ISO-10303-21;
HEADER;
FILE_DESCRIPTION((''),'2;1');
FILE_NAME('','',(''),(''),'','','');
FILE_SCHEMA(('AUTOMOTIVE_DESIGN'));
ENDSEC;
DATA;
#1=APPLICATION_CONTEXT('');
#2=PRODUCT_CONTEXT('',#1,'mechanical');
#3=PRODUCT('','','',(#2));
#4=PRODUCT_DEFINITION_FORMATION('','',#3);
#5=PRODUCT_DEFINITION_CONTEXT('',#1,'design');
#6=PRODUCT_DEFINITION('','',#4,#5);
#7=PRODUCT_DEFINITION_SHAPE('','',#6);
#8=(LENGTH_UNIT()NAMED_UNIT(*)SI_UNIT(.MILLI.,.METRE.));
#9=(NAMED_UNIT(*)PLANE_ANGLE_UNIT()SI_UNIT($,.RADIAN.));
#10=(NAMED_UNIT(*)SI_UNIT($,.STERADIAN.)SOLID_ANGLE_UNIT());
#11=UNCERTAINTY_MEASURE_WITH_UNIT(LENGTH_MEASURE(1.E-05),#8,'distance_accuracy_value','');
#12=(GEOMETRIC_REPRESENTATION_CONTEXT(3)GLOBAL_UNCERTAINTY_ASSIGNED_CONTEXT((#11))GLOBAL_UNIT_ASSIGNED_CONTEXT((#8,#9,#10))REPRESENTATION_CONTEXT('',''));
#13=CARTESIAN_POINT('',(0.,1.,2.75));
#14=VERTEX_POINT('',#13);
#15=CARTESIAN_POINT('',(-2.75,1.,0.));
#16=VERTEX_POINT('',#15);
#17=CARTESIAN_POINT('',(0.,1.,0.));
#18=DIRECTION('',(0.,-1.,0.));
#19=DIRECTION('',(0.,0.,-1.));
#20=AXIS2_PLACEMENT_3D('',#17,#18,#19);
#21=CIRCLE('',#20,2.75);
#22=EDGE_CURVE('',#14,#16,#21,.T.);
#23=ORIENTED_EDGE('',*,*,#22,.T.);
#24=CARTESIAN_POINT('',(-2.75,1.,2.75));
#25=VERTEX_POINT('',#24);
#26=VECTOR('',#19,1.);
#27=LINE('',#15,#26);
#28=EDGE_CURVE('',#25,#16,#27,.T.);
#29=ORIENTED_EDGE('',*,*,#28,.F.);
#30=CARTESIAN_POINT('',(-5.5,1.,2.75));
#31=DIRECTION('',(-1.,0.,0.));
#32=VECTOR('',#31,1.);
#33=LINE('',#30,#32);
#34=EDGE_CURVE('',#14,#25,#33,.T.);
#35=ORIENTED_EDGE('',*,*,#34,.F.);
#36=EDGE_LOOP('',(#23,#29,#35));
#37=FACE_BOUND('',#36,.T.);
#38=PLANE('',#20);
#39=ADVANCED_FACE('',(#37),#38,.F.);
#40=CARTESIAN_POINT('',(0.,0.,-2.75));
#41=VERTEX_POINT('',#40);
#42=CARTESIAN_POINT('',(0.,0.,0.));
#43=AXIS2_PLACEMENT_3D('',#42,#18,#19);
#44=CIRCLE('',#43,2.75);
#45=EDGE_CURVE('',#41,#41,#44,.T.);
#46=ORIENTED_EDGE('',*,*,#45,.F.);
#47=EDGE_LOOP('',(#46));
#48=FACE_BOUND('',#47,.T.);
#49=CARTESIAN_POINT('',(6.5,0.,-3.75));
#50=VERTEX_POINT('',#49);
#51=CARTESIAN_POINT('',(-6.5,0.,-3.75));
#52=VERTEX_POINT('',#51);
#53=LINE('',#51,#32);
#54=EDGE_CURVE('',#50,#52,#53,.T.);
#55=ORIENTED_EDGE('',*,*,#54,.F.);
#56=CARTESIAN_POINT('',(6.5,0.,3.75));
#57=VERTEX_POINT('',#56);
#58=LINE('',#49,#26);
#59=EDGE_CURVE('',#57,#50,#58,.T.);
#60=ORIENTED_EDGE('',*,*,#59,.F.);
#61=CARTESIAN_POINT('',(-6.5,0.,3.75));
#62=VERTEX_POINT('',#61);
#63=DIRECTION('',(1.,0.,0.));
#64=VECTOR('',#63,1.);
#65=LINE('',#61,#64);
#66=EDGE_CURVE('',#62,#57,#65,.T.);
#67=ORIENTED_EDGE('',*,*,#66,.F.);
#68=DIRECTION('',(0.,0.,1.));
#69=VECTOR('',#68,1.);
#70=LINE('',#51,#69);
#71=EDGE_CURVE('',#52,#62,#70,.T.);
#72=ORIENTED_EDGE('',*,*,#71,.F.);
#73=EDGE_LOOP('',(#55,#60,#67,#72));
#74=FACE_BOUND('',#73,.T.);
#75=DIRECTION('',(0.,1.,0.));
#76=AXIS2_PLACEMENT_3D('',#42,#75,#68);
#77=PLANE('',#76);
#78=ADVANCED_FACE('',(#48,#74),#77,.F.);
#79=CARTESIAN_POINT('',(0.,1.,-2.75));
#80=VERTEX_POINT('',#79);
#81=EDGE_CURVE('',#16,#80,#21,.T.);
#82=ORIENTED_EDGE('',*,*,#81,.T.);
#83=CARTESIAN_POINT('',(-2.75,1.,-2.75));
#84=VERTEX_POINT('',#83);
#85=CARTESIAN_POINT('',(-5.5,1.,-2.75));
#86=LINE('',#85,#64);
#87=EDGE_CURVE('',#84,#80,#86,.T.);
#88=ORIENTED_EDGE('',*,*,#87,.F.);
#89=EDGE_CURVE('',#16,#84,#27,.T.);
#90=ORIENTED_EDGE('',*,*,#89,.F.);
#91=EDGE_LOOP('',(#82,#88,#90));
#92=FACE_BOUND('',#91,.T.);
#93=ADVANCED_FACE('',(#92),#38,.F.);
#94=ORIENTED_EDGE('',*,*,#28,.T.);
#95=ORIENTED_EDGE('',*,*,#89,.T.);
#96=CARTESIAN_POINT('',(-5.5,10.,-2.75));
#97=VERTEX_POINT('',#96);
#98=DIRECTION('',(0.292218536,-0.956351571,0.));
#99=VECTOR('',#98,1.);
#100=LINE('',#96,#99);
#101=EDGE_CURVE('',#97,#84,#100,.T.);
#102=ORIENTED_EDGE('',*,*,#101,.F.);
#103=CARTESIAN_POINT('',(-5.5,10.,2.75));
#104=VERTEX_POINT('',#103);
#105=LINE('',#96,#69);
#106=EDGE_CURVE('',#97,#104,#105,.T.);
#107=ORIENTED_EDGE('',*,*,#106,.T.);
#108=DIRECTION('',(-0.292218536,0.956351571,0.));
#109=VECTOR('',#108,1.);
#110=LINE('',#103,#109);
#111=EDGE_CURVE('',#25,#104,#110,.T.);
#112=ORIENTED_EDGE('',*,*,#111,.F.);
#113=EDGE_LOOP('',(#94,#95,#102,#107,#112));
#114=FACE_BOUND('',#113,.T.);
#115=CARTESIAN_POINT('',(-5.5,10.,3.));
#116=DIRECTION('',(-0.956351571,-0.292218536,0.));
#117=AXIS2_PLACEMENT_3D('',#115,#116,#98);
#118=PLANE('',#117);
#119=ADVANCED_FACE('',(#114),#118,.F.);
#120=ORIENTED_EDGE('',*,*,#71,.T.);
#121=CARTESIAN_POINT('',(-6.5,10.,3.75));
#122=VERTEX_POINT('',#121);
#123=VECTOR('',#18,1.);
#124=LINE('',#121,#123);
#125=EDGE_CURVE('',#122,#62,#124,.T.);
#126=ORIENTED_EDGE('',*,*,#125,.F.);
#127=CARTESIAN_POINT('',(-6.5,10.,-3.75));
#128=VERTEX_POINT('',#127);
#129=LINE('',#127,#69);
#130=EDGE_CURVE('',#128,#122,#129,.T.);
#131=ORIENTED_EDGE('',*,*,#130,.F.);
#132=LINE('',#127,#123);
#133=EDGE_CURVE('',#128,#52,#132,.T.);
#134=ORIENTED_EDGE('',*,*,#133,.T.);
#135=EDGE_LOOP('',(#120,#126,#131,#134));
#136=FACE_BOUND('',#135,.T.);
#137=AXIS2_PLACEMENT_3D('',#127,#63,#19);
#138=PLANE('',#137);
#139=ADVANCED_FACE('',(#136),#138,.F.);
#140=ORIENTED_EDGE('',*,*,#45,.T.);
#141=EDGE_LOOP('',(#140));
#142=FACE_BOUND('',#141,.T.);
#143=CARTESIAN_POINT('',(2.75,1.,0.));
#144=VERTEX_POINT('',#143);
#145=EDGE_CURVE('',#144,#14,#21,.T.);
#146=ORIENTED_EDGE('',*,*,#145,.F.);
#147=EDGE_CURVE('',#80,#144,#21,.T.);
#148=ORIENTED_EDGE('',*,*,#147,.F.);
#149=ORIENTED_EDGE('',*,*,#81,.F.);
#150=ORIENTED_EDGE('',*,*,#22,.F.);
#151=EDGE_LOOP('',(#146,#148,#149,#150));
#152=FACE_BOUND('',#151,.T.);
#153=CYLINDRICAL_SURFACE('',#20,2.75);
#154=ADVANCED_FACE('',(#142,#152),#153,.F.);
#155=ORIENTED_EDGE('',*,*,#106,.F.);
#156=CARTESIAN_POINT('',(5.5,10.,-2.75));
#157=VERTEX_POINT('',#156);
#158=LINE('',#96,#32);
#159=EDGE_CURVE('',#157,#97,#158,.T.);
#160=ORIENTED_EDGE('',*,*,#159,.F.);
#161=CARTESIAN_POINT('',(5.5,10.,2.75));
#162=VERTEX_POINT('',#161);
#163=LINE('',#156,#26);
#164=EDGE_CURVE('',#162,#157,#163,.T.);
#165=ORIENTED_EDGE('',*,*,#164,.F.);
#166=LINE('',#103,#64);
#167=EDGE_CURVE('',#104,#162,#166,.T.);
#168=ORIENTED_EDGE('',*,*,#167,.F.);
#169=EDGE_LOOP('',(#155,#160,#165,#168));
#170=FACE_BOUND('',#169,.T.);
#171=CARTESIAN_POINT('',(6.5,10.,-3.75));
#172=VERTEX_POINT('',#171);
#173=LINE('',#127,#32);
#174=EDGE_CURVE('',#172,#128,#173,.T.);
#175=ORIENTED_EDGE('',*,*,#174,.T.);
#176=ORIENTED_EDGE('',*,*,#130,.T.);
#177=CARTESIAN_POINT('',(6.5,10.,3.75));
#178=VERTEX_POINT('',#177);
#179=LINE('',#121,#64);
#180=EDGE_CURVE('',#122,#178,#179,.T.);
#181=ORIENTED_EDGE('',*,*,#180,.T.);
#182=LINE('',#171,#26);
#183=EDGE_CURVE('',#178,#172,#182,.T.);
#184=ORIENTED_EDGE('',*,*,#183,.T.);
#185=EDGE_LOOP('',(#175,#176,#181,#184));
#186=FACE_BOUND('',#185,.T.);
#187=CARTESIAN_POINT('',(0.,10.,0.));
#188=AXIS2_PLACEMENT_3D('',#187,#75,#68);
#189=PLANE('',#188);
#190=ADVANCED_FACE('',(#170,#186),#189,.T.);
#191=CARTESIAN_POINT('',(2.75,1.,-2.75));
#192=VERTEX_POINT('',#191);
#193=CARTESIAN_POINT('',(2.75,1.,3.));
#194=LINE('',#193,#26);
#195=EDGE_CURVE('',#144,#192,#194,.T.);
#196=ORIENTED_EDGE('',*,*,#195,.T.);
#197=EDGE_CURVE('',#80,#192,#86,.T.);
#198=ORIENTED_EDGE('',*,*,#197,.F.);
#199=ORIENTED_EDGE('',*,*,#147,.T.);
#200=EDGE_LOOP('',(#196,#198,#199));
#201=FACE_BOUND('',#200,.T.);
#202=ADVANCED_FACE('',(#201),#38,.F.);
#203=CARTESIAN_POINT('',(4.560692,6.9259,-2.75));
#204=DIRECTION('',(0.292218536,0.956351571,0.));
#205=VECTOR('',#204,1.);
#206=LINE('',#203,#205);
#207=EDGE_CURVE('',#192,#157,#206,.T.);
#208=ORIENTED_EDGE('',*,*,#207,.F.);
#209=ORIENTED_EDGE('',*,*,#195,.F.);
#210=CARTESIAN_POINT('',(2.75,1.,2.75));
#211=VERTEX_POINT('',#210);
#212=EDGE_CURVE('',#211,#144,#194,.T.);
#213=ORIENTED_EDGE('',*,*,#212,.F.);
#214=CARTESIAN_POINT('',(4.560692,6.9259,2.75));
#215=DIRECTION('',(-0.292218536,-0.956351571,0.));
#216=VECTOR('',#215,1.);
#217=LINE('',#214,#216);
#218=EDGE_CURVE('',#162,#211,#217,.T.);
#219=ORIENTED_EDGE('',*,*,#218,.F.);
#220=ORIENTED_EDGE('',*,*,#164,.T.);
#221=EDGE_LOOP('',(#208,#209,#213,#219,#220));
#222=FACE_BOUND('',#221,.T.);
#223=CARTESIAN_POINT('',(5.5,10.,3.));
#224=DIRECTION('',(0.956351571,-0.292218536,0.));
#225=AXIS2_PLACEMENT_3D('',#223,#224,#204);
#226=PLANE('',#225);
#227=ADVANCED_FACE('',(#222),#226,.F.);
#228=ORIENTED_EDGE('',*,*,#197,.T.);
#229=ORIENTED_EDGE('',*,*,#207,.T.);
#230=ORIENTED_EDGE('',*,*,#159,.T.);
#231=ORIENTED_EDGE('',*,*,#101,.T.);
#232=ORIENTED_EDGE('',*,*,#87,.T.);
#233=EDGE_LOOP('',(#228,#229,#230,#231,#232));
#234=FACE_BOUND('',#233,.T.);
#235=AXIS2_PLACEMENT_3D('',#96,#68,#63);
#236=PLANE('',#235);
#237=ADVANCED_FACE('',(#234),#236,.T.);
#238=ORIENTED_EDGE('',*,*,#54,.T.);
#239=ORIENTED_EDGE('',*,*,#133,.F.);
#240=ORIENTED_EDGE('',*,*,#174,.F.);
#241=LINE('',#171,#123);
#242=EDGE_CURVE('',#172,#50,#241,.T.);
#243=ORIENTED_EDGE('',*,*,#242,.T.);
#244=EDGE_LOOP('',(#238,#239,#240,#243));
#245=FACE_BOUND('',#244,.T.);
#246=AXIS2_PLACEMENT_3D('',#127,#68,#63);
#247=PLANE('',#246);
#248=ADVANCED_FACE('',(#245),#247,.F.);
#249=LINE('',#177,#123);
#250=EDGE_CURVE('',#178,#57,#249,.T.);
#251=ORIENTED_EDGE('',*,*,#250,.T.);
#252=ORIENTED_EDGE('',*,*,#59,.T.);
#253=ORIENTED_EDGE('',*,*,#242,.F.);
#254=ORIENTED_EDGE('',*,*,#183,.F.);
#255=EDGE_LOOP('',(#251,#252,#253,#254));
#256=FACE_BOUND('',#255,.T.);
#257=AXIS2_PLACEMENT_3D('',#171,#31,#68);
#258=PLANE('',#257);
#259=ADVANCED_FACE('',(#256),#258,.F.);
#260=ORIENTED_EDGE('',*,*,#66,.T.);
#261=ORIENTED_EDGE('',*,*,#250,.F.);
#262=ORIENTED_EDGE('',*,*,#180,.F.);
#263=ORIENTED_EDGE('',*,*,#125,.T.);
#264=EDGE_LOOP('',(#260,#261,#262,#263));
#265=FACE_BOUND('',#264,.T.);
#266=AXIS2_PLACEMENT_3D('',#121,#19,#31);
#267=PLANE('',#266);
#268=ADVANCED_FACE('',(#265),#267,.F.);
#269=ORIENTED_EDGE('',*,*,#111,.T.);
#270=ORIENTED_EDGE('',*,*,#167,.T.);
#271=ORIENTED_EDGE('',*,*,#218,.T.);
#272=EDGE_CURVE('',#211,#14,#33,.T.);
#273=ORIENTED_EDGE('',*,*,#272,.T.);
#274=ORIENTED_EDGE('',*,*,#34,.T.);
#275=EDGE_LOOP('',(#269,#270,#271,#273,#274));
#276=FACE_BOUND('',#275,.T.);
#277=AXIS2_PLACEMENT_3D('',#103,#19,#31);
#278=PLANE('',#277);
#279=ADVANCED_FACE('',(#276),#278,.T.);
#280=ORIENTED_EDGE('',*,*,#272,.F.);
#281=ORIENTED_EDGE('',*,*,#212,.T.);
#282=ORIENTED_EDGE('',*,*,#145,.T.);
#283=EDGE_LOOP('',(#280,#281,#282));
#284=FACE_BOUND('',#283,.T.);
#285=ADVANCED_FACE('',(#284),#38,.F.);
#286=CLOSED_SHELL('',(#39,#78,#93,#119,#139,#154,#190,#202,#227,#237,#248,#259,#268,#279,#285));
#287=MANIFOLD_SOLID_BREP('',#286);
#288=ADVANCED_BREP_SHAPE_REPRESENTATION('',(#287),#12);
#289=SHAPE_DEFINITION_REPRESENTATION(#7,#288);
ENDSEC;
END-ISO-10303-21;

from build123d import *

# Parameters (mm, degrees)
SKETCH1_W           = 13
SKETCH1_H           = 7.5
SKETCH1_W_2         = 11
SKETCH1_H_2         = 5.5
BOSS_EXTRUDE1_DEPTH = 10
SKETCH2_W           = 13
SKETCH2_H           = 7.5
SKETCH2_R           = 2.75
BOSS_EXTRUDE2_DEPTH = 1
BOSS_EXTRUDE3_DEPTH = 3


with BuildPart() as part:
    # Sketch1 → Boss-Extrude1 (new body)
    with BuildSketch(Plane(origin=(0, 0, 0), x_dir=(1, 0, 0), z_dir=(0, 1, 0))):
        Rectangle(SKETCH1_W, SKETCH1_H)
        Rectangle(SKETCH1_W_2, SKETCH1_H_2, mode=Mode.SUBTRACT)
    extrude(amount=BOSS_EXTRUDE1_DEPTH)

    # Sketch2 → Boss-Extrude2 (add)
    with BuildSketch(Plane.XZ):
        Rectangle(SKETCH2_W, SKETCH2_H)
        Circle(SKETCH2_R, mode=Mode.SUBTRACT)
    extrude(amount=-BOSS_EXTRUDE2_DEPTH)

    # Sketch4 → Boss-Extrude3 (add, symmetric)
    with BuildSketch(Plane.XY):
        Polygon((-5.5, 10), (-2.75, 1), (-5.5, 1), align=None)
        Polygon((5.5, 10), (2.75, 1), (5.5, 1), align=None)
    extrude(amount=BOSS_EXTRUDE3_DEPTH, both=True)


solid = part.part
